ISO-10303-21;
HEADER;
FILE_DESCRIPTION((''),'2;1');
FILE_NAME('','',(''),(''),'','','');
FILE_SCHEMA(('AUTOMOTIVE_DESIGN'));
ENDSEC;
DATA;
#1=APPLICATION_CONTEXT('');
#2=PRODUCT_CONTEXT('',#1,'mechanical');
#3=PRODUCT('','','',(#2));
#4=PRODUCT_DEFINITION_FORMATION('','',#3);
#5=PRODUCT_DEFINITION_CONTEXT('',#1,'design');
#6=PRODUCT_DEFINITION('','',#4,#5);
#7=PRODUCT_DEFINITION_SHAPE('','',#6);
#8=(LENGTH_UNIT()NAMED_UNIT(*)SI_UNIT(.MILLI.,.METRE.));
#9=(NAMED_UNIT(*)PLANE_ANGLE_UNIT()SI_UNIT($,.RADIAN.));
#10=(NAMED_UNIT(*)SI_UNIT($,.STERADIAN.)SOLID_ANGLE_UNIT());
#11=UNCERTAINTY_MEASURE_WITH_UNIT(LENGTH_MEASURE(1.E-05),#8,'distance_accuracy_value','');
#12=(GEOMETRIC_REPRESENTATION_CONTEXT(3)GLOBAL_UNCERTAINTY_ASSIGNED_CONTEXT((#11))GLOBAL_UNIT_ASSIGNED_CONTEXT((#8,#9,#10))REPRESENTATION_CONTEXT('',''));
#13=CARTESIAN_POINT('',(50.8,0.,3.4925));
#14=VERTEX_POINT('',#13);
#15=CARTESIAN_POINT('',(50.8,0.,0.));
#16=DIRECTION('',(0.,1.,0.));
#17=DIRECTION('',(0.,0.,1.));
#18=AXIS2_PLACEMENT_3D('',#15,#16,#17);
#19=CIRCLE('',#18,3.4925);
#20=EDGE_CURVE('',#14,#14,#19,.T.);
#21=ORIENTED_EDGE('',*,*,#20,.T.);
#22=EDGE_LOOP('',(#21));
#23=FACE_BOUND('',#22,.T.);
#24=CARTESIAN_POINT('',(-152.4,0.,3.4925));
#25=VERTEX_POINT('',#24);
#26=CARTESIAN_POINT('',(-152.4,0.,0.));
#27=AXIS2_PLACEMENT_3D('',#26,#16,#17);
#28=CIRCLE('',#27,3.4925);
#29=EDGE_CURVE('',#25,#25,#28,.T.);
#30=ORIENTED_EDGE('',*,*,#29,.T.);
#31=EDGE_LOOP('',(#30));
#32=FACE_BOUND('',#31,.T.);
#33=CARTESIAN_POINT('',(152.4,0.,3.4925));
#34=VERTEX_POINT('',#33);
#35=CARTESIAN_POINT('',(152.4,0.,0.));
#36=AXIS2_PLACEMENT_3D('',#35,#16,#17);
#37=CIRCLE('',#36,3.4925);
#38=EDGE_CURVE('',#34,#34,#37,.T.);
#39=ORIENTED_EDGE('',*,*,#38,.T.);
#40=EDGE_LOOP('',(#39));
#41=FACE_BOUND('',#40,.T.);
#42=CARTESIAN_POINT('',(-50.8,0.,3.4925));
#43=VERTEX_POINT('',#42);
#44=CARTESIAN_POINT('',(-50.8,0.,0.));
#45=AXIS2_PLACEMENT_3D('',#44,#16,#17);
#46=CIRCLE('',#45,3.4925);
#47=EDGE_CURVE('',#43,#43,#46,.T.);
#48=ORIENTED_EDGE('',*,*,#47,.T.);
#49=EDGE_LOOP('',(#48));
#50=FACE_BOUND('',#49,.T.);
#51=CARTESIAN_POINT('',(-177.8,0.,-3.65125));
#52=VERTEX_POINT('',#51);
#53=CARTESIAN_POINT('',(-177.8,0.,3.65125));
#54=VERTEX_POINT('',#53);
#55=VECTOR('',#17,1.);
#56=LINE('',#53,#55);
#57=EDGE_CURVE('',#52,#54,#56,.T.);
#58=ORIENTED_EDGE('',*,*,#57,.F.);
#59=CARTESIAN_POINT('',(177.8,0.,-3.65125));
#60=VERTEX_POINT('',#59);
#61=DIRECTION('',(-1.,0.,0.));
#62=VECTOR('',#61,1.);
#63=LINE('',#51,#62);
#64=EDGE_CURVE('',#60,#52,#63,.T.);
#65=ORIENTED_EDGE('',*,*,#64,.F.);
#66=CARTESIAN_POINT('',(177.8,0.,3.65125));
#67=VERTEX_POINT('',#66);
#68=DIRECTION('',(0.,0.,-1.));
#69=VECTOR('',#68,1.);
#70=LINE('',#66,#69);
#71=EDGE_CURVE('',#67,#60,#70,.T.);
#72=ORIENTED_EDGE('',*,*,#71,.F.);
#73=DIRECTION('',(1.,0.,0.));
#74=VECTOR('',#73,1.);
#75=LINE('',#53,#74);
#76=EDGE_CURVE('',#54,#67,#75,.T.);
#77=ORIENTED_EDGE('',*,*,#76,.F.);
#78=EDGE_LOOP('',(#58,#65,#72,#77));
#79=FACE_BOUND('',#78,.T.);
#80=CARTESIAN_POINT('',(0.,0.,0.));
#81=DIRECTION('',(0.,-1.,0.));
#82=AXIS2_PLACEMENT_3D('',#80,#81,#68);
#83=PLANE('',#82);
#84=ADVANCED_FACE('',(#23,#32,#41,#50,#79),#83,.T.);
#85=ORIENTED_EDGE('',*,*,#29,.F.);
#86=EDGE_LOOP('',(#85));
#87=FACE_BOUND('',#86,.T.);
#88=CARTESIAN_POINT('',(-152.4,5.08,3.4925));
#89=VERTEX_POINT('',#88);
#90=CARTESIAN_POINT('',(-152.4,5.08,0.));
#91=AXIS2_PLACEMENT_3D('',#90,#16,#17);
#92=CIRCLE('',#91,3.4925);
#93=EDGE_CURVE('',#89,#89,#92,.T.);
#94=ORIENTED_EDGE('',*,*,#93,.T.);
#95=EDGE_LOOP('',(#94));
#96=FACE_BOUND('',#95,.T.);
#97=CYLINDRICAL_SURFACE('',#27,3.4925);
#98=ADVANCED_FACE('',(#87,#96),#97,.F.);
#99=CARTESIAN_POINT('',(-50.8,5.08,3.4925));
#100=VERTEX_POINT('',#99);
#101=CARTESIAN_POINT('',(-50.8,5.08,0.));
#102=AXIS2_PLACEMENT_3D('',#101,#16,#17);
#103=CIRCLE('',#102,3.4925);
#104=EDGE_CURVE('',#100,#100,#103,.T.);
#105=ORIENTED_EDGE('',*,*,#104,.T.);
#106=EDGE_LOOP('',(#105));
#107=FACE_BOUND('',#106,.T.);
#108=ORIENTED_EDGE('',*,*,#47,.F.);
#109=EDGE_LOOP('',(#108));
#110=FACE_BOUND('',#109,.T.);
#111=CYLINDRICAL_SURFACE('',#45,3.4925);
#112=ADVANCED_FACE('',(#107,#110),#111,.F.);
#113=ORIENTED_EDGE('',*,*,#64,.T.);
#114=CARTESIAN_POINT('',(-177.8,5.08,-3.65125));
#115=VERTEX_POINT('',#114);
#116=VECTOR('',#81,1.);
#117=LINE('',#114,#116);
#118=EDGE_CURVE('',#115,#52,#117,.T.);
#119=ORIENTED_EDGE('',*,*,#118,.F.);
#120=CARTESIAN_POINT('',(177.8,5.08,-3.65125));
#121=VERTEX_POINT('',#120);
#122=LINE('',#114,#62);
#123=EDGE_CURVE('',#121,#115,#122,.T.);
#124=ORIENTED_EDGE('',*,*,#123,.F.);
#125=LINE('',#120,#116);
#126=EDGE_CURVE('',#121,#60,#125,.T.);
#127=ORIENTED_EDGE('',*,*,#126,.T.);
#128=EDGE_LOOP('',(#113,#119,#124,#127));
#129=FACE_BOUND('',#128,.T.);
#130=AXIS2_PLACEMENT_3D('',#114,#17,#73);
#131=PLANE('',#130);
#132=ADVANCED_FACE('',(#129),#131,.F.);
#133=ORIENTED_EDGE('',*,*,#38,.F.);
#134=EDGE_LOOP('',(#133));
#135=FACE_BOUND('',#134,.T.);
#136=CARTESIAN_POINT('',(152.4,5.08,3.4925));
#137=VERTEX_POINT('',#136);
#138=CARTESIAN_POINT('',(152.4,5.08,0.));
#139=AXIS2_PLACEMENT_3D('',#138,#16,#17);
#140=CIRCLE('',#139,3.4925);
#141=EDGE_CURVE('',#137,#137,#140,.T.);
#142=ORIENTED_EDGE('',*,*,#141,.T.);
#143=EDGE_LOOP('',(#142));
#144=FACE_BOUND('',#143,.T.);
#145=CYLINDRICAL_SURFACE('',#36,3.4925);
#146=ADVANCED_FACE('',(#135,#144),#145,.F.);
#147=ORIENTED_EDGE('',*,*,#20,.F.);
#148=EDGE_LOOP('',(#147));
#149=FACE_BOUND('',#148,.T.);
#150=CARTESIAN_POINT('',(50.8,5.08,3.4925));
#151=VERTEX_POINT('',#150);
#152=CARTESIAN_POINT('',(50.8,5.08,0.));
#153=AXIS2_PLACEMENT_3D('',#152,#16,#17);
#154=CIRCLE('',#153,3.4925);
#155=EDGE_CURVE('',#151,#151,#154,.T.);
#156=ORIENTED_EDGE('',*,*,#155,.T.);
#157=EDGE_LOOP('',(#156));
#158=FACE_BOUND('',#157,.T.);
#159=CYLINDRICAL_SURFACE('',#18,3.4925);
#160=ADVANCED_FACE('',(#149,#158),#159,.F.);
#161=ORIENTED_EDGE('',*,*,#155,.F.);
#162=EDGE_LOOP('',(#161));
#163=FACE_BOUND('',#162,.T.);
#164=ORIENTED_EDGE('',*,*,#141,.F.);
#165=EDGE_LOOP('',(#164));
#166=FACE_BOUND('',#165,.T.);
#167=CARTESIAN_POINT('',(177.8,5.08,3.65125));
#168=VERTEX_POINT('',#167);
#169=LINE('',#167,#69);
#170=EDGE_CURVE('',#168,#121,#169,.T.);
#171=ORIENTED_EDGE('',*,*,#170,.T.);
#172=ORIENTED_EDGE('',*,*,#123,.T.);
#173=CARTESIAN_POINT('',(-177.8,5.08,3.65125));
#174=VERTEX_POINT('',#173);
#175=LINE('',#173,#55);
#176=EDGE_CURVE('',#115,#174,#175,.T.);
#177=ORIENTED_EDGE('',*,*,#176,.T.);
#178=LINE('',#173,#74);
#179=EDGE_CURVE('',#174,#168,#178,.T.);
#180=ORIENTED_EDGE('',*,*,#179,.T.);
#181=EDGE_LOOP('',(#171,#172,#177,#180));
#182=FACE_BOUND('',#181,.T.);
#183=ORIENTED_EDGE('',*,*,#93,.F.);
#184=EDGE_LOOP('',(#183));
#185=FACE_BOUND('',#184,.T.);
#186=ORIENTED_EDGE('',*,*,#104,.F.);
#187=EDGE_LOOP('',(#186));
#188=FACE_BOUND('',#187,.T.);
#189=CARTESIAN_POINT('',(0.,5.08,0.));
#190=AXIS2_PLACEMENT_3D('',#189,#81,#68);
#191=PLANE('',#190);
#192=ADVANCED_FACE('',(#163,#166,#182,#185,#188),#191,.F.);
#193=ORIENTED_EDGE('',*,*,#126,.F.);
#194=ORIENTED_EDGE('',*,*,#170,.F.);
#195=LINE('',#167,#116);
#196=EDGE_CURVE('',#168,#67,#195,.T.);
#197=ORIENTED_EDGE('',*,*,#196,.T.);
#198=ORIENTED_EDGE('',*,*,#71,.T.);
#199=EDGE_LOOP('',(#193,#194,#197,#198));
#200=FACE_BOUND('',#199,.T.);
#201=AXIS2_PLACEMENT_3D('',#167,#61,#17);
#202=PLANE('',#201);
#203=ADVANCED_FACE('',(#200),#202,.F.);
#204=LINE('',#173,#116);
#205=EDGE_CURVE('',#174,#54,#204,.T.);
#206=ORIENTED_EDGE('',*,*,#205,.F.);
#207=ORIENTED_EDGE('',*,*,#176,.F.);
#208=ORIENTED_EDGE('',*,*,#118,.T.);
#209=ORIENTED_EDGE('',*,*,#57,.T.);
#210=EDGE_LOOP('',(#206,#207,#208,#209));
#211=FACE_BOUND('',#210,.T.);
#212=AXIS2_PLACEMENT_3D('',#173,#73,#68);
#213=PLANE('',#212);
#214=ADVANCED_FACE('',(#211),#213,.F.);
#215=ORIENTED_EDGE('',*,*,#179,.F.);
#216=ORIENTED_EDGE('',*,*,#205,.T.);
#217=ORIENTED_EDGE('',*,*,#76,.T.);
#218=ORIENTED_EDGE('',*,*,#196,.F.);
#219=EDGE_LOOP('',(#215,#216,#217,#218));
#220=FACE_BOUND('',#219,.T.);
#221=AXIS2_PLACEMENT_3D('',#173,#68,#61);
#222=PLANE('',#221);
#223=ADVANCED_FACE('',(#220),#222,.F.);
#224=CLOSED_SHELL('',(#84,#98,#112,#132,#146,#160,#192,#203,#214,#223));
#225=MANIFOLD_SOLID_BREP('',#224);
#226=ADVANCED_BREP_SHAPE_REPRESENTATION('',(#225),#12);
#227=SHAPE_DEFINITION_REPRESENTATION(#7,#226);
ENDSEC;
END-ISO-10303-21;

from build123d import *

# Parameters (mm, degrees)
SKETCH1_W           = 355.6
SKETCH1_H           = 7.3025
BOSS_EXTRUDE1_DEPTH = 5.08
SKETCH2_R           = 3.4925
CUT_EXTRUDE1_DEPTH  = 6.08


with BuildPart() as part:
    # Sketch1 → Boss-Extrude1 (new body)
    with BuildSketch(Plane(origin=(0, 0, 0), x_dir=(1, 0, 0), z_dir=(0, 1, 0))):
        Rectangle(SKETCH1_W, SKETCH1_H)
    extrude(amount=BOSS_EXTRUDE1_DEPTH)

    # Sketch2 → Cut-Extrude1 (cut, through all)
    with BuildSketch(Plane(origin=(0, 5.08, 0), x_dir=(1, 0, 0), z_dir=(0, 1, 0))):
        with Locations((-152.4, 0)):
            Circle(SKETCH2_R)
        with Locations((-50.8, 0)):
            Circle(SKETCH2_R)
        with Locations((50.8, 0)):
            Circle(SKETCH2_R)
        with Locations((152.4, 0)):
            Circle(SKETCH2_R)
    extrude(amount=-CUT_EXTRUDE1_DEPTH, mode=Mode.SUBTRACT)


solid = part.part
